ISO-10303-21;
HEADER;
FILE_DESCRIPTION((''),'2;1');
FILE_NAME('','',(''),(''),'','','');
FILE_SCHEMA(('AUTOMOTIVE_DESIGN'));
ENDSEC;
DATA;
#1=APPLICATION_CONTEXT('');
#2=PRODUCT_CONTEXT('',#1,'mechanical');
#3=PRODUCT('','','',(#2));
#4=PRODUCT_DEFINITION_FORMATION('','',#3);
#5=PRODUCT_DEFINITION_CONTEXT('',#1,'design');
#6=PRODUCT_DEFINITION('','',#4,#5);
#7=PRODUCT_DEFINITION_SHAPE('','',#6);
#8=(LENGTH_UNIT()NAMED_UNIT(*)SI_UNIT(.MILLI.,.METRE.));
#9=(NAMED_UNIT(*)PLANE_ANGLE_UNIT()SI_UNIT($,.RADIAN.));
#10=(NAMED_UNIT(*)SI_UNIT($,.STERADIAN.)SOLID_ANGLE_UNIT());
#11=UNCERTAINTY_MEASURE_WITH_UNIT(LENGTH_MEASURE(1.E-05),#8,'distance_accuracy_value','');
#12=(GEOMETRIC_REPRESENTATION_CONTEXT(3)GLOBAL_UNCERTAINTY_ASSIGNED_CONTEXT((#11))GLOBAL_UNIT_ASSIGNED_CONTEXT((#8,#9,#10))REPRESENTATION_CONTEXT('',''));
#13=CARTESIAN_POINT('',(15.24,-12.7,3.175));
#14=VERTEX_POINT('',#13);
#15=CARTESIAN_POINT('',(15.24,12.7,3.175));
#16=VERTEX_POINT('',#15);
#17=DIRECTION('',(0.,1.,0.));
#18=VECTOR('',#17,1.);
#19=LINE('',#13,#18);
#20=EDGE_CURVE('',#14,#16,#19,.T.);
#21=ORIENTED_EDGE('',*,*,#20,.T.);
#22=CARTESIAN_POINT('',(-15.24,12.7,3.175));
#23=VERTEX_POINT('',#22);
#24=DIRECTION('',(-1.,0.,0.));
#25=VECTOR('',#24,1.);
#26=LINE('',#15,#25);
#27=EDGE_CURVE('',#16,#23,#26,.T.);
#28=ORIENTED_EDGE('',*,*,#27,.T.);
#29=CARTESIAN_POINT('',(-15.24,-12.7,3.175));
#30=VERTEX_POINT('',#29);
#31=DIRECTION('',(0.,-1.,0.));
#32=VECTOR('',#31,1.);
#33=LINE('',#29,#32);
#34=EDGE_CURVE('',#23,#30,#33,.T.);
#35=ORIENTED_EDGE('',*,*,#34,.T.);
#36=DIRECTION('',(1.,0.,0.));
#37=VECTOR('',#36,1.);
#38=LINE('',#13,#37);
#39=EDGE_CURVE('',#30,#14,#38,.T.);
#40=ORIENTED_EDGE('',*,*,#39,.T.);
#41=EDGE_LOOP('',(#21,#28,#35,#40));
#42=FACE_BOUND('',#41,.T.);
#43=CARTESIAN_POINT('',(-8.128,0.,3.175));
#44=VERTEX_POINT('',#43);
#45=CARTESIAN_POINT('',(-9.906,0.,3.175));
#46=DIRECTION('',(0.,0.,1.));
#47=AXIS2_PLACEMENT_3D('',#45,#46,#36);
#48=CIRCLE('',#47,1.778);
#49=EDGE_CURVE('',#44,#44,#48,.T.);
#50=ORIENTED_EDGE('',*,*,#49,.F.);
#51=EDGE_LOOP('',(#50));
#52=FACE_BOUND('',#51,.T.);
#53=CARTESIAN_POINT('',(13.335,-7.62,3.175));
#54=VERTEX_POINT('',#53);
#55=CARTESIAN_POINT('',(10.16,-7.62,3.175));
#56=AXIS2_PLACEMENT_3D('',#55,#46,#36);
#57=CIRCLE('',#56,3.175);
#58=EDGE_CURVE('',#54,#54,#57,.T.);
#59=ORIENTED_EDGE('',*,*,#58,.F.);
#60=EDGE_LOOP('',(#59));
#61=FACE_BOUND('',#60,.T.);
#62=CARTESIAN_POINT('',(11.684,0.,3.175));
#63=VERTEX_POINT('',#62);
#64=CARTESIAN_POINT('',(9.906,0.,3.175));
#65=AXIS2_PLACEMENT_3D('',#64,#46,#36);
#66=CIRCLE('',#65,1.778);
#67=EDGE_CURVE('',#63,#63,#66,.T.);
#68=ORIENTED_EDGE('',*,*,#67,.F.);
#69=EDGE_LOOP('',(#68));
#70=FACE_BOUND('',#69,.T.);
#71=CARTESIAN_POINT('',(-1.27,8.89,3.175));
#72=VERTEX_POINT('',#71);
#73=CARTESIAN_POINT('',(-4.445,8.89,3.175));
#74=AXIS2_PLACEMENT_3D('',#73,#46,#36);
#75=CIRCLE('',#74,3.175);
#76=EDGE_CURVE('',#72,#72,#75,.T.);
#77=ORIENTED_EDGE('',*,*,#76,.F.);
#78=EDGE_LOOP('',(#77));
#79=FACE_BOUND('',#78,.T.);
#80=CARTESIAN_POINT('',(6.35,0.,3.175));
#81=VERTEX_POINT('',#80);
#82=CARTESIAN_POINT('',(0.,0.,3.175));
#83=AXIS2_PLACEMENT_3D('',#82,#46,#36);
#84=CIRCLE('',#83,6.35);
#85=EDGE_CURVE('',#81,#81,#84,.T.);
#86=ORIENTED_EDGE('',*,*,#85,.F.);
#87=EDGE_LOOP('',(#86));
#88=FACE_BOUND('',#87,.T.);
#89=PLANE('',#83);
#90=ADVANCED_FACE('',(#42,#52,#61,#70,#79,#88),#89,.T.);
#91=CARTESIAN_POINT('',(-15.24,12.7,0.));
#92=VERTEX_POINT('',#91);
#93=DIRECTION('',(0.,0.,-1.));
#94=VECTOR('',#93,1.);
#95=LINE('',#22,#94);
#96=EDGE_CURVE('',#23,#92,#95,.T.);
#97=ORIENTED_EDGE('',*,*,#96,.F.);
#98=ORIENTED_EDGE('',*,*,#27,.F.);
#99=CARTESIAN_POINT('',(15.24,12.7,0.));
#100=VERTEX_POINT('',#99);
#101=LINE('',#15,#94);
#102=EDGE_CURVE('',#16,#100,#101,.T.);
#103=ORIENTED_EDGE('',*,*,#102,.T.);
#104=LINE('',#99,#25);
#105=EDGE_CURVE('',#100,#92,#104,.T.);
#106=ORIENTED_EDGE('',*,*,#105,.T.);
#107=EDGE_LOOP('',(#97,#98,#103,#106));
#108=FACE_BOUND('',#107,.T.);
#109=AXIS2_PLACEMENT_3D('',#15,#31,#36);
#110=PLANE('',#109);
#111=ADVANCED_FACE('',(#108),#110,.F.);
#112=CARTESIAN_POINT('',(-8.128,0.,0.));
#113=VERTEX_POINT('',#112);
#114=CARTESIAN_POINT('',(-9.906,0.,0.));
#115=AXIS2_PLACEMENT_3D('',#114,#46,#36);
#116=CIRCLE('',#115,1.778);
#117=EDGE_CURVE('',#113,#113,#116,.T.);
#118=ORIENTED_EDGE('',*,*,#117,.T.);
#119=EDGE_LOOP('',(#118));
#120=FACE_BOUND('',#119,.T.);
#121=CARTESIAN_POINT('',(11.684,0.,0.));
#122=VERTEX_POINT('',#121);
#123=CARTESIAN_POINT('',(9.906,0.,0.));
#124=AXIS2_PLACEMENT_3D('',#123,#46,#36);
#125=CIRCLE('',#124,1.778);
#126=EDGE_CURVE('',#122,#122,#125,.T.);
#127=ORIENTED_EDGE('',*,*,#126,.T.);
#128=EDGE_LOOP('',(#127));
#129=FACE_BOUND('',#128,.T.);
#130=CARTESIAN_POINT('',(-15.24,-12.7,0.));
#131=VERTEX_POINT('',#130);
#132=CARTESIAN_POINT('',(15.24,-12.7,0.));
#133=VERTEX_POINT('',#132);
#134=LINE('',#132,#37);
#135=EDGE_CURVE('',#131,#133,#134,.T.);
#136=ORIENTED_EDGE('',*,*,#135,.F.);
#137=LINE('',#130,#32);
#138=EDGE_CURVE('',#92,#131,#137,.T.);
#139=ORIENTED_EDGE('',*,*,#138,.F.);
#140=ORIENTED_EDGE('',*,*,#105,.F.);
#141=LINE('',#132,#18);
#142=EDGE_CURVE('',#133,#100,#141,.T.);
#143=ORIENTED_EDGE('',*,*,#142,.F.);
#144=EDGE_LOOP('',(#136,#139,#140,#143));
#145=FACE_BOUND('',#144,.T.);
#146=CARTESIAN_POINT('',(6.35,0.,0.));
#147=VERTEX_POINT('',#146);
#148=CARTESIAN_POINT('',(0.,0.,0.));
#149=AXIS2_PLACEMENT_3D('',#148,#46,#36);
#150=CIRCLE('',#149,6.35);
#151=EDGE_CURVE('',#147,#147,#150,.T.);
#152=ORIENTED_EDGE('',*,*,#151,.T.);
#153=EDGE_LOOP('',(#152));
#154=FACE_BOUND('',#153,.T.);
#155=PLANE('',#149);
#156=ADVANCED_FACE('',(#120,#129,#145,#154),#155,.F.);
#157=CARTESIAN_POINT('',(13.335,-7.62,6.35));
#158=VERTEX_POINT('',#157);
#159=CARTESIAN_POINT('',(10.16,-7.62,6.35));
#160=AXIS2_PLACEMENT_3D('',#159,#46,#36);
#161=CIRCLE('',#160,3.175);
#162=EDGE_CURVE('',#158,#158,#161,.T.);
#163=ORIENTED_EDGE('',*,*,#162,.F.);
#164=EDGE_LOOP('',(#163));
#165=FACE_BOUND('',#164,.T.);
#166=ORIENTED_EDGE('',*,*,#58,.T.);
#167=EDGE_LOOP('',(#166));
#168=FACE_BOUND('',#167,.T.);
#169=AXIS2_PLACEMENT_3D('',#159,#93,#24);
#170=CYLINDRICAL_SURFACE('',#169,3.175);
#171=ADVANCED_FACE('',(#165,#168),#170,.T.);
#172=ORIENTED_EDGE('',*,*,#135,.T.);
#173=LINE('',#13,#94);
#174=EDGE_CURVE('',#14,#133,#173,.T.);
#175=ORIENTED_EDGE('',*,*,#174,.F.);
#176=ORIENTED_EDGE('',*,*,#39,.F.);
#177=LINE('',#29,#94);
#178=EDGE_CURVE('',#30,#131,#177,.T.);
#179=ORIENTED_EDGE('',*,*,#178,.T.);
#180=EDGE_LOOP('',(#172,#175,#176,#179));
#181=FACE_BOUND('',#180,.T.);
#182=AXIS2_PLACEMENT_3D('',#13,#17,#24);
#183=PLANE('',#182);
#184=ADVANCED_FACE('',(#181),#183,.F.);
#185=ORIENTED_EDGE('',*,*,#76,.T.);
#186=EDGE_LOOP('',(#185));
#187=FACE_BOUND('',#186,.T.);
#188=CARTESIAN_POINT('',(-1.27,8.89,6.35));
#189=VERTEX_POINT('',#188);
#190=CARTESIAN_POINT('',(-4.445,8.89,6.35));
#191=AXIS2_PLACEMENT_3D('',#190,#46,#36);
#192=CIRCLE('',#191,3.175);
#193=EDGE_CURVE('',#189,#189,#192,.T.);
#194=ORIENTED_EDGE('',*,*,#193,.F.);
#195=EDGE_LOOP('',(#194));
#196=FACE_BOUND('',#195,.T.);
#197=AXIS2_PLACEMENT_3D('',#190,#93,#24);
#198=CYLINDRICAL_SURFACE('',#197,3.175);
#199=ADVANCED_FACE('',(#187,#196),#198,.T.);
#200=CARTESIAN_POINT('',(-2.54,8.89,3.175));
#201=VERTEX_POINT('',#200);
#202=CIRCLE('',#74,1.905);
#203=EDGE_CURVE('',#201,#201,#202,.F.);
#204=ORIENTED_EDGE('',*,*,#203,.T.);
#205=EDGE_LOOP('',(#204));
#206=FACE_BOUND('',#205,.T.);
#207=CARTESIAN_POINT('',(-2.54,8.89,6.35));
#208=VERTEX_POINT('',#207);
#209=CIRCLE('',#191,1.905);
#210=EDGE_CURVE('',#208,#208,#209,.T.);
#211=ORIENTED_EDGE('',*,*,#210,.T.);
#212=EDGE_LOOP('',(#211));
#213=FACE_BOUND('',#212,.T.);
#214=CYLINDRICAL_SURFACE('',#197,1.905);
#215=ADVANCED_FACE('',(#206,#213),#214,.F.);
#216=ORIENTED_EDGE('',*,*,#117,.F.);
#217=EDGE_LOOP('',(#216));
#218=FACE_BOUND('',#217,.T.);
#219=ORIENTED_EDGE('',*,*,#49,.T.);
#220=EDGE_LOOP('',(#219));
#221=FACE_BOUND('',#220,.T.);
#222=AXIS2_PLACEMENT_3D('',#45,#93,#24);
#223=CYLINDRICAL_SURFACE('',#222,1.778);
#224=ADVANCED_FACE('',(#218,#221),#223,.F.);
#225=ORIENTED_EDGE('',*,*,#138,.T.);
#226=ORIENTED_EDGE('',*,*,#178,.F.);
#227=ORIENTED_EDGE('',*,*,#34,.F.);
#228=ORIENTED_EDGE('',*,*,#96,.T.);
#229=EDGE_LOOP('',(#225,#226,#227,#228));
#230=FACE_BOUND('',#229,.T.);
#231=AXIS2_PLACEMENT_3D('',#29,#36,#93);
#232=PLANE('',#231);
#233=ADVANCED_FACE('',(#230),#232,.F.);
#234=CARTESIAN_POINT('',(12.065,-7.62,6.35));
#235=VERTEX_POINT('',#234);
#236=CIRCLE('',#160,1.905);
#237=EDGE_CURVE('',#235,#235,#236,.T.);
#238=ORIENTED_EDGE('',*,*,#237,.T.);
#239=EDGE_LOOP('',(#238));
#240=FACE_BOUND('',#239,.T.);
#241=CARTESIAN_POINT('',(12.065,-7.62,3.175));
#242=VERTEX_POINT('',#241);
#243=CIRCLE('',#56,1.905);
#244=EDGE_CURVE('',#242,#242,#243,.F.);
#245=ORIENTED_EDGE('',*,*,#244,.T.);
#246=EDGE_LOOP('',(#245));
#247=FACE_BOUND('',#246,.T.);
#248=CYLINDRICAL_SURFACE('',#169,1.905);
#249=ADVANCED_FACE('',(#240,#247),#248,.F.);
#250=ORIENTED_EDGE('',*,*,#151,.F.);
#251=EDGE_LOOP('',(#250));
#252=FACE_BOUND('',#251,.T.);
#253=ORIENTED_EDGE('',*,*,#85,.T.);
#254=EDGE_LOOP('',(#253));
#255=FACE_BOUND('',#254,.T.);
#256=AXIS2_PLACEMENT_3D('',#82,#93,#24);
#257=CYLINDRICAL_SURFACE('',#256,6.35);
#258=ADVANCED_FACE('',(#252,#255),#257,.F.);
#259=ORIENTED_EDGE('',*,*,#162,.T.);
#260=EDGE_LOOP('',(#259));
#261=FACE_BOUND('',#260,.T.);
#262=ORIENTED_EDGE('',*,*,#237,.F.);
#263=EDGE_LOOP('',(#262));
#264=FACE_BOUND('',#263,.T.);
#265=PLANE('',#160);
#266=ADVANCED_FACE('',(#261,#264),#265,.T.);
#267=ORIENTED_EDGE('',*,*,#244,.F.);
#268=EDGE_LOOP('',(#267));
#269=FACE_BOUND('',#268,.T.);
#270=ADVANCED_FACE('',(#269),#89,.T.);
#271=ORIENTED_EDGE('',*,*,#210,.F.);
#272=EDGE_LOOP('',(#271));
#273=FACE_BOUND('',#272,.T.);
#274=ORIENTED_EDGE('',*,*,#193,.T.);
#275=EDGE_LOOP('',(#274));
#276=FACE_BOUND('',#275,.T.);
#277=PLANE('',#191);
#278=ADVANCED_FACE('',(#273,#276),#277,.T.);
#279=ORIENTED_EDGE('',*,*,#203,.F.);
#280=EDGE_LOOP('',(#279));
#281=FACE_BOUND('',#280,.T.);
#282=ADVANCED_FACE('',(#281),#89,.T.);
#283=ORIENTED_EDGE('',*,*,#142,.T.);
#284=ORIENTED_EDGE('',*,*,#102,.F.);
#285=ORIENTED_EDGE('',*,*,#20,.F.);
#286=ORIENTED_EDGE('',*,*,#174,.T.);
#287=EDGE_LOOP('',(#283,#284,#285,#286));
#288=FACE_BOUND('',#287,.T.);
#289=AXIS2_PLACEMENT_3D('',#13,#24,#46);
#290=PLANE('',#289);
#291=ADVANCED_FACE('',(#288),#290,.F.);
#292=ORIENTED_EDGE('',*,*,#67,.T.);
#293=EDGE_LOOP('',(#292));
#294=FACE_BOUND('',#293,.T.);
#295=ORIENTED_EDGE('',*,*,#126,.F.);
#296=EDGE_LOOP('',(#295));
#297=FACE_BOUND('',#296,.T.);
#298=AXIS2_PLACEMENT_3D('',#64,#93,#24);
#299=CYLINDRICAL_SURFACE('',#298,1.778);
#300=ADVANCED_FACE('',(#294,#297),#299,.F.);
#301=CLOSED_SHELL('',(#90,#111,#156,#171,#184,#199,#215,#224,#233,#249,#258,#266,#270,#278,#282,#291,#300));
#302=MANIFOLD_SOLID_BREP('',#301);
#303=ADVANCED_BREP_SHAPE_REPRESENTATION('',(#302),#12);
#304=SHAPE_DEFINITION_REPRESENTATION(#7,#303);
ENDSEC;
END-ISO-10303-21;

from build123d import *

# Parameters (mm, degrees)
SKETCH1_W           = 30.48
SKETCH1_H           = 25.4
SKETCH1_R           = 6.35
SKETCH1_R_2         = 1.778
BOSS_EXTRUDE1_DEPTH = 3.175
SKETCH2_R           = 3.175
SKETCH2_R_2         = 1.905
BOSS_EXTRUDE2_DEPTH = 3.175


with BuildPart() as part:
    # Sketch1 → Boss-Extrude1 (new body)
    with BuildSketch(Plane.XY):
        Rectangle(SKETCH1_W, SKETCH1_H)
        Circle(SKETCH1_R, mode=Mode.SUBTRACT)
        with Locations((-9.906, 0)):
            Circle(SKETCH1_R_2, mode=Mode.SUBTRACT)
        with Locations((9.906, 0)):
            Circle(SKETCH1_R_2, mode=Mode.SUBTRACT)
    extrude(amount=BOSS_EXTRUDE1_DEPTH)

    # Sketch2 → Boss-Extrude2 (add)
    with BuildSketch(Plane.XY.offset(3.175)):
        with Locations((-4.445, 8.89)):
            Circle(SKETCH2_R)
        with Locations((-4.445, 8.89)):
            Circle(SKETCH2_R_2, mode=Mode.SUBTRACT)
        with Locations((10.16, -7.62)):
            Circle(SKETCH2_R)
        with Locations((10.16, -7.62)):
            Circle(SKETCH2_R_2, mode=Mode.SUBTRACT)
    extrude(amount=BOSS_EXTRUDE2_DEPTH)


solid = part.part
